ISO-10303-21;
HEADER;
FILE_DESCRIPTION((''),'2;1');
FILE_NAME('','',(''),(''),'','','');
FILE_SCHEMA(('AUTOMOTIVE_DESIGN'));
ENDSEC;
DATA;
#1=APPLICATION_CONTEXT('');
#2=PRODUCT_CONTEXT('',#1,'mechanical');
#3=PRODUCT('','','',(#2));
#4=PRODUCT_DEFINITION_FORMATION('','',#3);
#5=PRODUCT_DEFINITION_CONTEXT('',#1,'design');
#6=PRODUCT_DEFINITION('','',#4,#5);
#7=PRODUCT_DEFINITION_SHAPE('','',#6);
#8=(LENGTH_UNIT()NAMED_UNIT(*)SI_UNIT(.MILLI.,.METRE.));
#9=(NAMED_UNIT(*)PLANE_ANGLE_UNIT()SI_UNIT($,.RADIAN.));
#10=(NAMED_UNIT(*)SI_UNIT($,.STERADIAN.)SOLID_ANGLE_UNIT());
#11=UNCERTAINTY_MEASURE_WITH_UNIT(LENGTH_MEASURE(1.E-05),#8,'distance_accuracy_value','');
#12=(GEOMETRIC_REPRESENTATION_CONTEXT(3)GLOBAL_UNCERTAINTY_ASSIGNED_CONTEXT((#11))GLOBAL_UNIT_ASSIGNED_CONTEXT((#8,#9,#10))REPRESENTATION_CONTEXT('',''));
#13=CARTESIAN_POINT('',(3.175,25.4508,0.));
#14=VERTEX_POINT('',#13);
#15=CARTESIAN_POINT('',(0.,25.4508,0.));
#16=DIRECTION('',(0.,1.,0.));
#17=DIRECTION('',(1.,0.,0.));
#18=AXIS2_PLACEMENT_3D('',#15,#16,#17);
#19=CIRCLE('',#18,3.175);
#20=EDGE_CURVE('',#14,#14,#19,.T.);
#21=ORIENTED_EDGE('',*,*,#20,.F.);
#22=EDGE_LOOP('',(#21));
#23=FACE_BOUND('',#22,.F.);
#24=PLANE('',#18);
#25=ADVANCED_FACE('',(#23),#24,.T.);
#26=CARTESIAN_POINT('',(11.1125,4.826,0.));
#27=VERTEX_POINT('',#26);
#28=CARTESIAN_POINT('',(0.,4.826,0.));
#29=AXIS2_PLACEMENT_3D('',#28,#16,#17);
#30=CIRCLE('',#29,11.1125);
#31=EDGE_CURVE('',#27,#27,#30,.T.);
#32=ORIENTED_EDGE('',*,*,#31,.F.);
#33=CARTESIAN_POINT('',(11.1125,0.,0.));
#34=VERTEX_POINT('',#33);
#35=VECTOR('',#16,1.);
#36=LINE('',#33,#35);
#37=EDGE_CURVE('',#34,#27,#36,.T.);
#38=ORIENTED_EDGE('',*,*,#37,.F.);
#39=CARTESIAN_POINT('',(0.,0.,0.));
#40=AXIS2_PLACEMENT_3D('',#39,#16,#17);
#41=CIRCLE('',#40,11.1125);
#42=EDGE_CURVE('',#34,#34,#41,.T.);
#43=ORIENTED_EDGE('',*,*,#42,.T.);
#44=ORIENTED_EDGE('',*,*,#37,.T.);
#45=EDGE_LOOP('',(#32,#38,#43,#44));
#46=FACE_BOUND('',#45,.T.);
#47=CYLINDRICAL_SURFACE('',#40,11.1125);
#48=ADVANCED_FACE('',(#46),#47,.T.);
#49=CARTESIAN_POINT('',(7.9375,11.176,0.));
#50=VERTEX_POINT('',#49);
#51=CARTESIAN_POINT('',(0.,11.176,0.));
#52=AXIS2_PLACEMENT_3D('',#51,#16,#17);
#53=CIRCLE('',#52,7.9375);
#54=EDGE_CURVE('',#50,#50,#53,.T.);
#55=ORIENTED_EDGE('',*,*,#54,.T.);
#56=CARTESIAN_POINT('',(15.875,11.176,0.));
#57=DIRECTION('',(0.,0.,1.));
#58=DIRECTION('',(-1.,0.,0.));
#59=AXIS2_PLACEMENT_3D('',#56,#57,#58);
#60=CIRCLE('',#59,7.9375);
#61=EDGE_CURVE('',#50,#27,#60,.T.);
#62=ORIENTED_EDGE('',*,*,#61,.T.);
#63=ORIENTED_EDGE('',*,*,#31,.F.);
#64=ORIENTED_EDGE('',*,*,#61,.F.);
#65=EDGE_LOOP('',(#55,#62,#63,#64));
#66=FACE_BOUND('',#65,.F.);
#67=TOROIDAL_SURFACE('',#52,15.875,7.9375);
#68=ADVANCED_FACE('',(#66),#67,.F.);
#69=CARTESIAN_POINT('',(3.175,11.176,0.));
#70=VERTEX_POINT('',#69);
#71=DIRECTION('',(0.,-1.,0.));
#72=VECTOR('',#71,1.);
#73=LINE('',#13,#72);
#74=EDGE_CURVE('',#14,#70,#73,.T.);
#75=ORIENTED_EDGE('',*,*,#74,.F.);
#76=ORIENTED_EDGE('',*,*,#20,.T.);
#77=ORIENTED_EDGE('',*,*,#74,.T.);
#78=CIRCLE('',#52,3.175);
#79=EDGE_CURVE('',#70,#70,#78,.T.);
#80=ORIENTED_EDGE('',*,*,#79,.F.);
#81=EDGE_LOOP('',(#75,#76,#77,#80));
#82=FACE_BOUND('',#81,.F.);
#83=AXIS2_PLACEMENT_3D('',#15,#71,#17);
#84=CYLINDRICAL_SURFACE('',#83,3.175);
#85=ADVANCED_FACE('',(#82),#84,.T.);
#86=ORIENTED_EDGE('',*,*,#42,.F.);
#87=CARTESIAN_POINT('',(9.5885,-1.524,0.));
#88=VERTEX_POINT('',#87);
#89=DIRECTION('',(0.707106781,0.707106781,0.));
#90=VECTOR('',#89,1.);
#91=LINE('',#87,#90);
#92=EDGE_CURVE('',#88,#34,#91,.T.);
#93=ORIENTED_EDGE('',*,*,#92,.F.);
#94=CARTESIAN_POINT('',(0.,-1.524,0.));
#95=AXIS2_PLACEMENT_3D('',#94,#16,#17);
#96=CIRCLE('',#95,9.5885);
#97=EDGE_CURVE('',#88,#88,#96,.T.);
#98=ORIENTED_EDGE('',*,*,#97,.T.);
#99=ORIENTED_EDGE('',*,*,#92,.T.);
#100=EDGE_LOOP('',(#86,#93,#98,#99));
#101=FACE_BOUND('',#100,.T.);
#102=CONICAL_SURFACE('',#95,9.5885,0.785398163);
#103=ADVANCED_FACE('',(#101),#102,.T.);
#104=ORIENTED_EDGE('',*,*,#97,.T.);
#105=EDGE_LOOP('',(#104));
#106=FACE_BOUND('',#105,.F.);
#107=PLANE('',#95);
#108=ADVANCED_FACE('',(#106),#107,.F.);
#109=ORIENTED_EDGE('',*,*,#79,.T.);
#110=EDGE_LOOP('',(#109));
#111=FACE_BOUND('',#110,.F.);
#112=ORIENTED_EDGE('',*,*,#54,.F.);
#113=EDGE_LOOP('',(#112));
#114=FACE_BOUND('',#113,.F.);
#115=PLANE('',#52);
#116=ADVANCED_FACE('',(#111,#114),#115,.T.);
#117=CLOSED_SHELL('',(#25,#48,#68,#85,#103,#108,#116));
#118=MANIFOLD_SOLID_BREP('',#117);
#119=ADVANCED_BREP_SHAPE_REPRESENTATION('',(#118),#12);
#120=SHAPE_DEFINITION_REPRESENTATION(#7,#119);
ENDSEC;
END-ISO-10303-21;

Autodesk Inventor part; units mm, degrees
ref_plane "YZ Plane" through (0, 0, 0) normal (1, 0, 0) x (0, 1, 0)
ref_plane "XZ Plane" through (0, 0, 0) normal (0, 1, 0) x (-1, 0, 0)
ref_plane "XY Plane" through (0, 0, 0) normal (0, 0, 1) x (1, 0, 0)
sketch "Sketch1" plane through (0, 0, 0) normal (0, 0, 1) x (1, 0, 0)
  line L0 (0, -6.919) -> (0, 30.8458) projected
  line L1 (-3.175, 0) -> (19.05, 0) projected
  line L2 (0, 0) -> (11.1125, 0)
  line L3 (9.5885, -1.524) -> (11.1125, 0)
  line L4 (9.5885, -1.524) -> (0, -1.524)
  line L5 (11.1125, 0) -> (11.1125, 4.826)
  line L6 (0, 11.176) -> (7.9375, 11.176)
  line L7 (0, 25.4508) -> (3.175, 25.4508)
  line L8 (3.175, 25.4508) -> (3.175, 11.176)
  arc A0 (7.9375, 11.176) -> (11.1125, 4.826) centre (15.875, 11.176) ccw
  dimension "d9" = 11.1125
  dimension "d12" = 1.524
  dimension "d13" = 45
  dimension "d18" = 6.35
  dimension "d19" = 7.9375
  dimension "d20" = 12.7
  dimension "d22" = 3.175
  dimension "d23" = 26.9748
revolve "Revolution1" add sketch "Sketch1" angle 360 about axis through (0, -10, 0) along (0, 1, 0)
properties part number "Ch7(5) Part 8 Rack Pad"
